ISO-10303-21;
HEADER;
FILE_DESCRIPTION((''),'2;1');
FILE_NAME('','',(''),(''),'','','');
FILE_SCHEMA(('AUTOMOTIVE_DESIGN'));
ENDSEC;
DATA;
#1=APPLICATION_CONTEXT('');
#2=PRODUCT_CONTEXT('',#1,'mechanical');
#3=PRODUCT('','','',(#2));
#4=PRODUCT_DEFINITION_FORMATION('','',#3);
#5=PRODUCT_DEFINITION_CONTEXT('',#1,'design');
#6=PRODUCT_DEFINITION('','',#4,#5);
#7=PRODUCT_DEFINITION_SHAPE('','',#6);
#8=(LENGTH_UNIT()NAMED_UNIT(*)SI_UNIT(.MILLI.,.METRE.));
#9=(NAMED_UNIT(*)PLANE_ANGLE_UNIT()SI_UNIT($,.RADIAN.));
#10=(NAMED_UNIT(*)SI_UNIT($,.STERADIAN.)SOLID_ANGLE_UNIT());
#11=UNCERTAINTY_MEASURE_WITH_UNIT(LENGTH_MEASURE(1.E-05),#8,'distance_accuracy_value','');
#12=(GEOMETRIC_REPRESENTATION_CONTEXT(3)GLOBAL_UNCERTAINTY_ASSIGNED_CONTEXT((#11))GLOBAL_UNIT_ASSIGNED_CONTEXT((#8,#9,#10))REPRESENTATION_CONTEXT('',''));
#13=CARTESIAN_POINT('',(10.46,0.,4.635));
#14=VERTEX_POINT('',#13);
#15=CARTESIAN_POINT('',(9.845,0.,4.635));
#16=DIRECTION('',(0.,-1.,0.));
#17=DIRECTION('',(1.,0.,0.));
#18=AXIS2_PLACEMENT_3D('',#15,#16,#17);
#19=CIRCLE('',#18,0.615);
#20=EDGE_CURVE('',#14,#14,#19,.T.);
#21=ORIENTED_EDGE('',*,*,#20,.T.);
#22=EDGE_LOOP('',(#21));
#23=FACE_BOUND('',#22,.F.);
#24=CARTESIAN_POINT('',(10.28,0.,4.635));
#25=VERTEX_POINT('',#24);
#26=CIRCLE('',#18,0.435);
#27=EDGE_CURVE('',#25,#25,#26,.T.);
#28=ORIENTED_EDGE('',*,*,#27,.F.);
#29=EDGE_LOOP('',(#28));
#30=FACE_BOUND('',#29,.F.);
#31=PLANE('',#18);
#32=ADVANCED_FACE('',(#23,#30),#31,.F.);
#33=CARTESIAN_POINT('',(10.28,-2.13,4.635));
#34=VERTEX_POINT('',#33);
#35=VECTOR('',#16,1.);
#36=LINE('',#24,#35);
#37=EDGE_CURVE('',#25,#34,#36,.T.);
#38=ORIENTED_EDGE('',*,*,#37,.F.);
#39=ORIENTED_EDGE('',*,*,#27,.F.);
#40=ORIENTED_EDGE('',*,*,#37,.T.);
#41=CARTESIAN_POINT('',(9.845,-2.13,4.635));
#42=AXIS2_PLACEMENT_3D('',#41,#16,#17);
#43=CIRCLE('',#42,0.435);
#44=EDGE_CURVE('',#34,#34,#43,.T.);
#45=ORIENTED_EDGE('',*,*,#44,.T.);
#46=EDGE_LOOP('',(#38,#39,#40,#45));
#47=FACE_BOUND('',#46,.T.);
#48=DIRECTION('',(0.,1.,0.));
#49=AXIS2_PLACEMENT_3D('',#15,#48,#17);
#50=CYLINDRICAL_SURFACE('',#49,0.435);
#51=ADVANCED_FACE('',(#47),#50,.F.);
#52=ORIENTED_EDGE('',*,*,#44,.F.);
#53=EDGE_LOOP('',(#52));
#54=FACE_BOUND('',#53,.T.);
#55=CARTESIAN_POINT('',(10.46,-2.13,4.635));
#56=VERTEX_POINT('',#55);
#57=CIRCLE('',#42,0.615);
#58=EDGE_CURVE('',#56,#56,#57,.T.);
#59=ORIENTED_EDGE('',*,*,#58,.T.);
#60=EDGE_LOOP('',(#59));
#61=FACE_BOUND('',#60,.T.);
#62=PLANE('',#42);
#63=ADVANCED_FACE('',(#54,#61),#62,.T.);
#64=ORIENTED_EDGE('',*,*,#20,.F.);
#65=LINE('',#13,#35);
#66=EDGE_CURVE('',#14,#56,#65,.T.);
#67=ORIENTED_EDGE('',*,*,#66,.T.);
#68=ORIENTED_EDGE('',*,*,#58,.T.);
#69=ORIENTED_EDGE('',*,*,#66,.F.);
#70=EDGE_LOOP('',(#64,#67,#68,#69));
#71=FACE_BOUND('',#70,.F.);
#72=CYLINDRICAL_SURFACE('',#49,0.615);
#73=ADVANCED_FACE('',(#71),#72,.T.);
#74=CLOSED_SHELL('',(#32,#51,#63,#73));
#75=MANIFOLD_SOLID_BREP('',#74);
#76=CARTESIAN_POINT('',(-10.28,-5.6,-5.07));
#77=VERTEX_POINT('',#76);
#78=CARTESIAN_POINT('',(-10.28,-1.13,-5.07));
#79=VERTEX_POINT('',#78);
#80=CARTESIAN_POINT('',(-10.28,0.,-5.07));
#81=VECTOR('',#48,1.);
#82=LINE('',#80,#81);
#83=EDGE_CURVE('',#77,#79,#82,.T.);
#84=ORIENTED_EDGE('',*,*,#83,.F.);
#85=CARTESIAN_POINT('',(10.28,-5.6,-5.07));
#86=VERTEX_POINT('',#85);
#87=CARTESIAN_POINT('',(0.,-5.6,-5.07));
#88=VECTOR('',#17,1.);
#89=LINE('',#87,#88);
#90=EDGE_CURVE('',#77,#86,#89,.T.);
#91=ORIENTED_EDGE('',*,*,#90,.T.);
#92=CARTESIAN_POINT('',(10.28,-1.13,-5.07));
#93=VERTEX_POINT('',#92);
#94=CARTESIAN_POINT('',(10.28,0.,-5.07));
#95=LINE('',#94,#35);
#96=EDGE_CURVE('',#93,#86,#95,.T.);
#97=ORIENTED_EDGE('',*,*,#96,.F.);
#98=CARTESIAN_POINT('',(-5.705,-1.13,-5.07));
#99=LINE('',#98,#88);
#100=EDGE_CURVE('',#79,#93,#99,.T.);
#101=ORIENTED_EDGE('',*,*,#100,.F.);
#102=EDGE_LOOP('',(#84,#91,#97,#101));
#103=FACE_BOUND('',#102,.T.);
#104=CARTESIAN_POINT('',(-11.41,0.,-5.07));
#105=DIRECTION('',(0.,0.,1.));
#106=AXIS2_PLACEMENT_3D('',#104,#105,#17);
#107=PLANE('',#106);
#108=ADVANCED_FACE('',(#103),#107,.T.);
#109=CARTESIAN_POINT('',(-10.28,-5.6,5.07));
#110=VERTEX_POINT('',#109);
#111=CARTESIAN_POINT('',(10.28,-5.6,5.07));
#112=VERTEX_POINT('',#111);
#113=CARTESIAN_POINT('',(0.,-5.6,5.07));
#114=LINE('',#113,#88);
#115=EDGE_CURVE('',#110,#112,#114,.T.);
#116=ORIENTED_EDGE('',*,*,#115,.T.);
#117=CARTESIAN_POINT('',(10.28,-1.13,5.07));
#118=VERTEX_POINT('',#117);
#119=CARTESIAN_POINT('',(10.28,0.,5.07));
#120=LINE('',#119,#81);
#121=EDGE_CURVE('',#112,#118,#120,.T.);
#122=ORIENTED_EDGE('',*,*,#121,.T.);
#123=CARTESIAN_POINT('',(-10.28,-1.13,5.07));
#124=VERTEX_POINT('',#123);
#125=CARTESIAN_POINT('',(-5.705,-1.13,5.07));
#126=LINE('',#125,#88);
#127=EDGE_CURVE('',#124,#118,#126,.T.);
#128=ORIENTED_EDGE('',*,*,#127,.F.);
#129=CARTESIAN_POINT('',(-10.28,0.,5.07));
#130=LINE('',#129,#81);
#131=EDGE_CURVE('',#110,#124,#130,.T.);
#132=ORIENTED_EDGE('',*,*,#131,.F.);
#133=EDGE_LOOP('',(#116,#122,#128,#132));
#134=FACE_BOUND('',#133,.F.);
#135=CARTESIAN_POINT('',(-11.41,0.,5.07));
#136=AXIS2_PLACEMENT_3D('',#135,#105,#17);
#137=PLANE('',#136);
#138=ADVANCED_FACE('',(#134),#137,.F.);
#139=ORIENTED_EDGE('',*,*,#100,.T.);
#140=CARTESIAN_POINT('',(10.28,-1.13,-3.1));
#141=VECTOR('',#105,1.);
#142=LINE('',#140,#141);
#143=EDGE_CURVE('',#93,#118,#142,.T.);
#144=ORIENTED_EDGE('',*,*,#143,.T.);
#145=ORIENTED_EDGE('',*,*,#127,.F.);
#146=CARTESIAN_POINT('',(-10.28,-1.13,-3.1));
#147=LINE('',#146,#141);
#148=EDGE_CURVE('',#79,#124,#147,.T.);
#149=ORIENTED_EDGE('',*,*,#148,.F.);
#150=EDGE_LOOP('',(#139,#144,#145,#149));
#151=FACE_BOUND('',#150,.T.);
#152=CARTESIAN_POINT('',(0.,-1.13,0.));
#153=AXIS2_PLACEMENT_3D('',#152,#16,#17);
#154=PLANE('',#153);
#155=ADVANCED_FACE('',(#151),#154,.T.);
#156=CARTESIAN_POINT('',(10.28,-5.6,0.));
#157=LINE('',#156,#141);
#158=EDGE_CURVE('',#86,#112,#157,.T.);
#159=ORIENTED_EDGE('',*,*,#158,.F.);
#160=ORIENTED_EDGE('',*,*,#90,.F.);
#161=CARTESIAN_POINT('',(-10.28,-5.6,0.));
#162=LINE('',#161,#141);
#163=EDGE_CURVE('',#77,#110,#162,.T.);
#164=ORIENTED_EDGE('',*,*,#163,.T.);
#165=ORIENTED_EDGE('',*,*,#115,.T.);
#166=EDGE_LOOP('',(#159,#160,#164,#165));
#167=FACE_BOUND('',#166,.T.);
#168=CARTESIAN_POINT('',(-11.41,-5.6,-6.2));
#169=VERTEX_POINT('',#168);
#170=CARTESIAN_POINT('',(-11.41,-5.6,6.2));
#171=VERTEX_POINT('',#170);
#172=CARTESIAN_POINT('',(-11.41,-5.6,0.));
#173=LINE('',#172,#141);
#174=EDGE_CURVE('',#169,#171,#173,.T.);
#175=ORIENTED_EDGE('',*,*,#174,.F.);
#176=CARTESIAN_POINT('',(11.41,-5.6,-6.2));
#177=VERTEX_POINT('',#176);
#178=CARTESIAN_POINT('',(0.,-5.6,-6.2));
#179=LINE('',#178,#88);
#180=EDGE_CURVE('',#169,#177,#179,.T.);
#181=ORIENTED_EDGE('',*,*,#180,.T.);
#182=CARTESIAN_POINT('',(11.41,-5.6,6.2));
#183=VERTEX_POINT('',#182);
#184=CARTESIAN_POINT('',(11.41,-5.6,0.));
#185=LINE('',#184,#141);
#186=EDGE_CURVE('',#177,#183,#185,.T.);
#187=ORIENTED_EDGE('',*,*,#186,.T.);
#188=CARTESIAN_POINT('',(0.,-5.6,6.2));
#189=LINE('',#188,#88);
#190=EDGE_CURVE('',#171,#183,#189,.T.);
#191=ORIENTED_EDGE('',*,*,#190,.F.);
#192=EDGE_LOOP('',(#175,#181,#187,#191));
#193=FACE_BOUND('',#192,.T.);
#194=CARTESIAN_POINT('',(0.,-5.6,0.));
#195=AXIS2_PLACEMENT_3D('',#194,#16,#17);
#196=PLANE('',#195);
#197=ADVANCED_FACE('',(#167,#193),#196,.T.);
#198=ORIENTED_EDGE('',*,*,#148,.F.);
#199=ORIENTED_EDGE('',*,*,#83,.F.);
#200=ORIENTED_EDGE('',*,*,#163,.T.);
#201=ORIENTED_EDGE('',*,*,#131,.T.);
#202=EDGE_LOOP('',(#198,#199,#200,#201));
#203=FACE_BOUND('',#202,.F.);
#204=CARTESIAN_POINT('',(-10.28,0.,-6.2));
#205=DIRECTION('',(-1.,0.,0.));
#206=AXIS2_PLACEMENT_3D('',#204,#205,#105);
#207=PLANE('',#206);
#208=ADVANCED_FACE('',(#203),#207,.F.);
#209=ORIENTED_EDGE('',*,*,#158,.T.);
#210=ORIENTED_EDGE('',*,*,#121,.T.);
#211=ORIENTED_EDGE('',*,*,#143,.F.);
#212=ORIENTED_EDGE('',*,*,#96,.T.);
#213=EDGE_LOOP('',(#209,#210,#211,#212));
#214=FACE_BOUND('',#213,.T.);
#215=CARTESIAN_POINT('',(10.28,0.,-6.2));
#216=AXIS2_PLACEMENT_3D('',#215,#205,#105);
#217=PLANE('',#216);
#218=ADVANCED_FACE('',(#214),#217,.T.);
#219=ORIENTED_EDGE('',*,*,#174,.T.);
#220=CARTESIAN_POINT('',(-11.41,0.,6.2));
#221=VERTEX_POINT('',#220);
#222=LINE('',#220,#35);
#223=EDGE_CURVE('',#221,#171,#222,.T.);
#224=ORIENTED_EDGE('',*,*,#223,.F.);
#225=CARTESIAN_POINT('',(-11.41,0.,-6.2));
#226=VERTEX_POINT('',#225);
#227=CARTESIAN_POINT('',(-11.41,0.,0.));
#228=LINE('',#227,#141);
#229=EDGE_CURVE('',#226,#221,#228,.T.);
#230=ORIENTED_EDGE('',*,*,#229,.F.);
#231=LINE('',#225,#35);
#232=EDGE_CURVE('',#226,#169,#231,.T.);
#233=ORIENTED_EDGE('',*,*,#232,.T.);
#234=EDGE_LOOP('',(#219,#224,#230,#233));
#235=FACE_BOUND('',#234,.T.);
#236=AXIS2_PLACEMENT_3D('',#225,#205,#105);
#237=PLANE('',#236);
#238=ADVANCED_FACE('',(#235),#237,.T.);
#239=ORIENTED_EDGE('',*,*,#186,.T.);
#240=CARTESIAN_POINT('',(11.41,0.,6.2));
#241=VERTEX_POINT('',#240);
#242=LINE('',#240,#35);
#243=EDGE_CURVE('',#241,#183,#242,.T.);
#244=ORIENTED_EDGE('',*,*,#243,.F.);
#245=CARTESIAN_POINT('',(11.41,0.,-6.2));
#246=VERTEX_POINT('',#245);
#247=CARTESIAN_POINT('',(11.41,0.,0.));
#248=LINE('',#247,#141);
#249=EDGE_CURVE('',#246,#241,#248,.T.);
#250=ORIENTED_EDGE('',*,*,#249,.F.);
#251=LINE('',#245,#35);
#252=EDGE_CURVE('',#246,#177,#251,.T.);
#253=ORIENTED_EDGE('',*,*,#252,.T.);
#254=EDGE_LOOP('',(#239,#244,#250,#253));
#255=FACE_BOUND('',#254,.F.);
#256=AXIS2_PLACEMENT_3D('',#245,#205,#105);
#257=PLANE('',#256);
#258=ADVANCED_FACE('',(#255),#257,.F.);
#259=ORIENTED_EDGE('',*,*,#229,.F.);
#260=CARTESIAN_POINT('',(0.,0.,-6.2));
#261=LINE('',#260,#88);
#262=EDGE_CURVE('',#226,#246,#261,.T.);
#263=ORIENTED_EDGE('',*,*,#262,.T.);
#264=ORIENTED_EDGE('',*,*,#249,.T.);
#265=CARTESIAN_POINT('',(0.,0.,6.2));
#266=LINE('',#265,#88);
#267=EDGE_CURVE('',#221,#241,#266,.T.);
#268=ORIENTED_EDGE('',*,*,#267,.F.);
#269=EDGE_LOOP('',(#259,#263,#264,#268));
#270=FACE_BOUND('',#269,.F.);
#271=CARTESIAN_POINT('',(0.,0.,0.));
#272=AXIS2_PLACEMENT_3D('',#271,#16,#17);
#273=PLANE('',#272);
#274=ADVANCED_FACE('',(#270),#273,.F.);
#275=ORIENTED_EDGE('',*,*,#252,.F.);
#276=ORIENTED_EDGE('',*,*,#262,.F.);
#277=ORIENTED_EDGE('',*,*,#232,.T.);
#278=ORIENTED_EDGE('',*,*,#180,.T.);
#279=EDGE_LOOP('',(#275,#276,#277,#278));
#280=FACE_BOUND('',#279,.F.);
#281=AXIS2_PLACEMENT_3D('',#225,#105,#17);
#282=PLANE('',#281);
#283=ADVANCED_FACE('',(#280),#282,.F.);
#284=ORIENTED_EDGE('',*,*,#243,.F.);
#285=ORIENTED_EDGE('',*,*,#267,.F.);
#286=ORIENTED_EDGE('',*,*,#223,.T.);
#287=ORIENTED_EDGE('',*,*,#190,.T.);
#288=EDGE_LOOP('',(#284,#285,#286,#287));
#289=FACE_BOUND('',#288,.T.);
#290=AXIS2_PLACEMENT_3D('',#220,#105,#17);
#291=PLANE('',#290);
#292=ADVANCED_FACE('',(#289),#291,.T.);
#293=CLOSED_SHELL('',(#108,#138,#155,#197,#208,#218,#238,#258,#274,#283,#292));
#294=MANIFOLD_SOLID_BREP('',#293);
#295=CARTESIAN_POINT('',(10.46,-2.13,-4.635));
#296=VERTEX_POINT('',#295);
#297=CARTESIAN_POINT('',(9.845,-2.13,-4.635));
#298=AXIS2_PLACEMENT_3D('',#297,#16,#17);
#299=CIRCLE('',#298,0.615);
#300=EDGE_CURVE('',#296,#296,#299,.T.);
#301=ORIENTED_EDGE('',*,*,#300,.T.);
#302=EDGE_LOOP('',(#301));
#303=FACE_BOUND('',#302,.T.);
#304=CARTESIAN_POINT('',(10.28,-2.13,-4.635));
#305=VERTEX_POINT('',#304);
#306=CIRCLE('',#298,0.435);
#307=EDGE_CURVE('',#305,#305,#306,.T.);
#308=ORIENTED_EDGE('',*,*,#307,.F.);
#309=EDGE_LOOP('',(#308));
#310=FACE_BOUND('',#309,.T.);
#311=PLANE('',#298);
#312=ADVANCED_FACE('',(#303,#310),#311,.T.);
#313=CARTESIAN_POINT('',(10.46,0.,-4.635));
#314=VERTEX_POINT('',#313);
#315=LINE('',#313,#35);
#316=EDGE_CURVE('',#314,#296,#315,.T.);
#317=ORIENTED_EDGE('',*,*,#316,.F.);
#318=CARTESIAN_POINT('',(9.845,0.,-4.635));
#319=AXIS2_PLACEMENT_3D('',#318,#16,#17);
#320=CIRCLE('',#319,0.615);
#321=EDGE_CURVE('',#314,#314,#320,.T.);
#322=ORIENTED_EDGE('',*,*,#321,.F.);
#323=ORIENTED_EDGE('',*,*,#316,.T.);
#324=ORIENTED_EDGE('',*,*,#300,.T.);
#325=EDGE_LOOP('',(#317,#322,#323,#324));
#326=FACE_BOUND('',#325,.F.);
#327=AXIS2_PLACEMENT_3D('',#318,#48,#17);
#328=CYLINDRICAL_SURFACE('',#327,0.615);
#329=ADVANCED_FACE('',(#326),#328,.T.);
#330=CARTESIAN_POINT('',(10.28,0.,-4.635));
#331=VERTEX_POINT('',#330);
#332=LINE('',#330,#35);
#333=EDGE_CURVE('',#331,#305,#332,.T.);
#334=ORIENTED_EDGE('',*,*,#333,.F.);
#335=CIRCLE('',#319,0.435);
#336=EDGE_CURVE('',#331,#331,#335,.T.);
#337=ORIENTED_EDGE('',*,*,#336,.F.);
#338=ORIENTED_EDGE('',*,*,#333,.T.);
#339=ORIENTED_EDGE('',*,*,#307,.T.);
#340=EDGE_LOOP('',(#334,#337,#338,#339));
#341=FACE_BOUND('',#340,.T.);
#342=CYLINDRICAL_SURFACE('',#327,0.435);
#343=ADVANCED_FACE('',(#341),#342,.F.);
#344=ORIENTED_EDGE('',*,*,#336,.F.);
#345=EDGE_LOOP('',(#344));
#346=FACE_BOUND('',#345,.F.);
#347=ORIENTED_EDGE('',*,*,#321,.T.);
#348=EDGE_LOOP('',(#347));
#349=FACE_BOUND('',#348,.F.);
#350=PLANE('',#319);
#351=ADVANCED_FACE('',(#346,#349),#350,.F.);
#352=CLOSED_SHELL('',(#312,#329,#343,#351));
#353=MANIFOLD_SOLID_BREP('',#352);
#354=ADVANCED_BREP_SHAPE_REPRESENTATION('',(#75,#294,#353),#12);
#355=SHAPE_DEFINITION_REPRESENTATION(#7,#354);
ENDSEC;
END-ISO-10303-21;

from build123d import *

# Parameters (mm, degrees)
F0_W     = 22.82
F0_H     = 12.4
F1_DEPTH = 5.6
F2_T     = -1.13
F3_R     = 0.615
F3_R_2   = 0.435
F5_DEPTH = 2.13
F4_R     = 0.615
F4_R_2   = 0.435
F6_DEPTH = 2.13


with BuildPart() as f1:
    # F0 (on Front) → F1 (new body)
    with BuildSketch(Plane.XZ):
        Rectangle(F0_W, F0_H)
    extrude(amount=F1_DEPTH)

    # F2
    f2_openings = [f1.faces().sort_by_distance(p)[0] for p in [
        (0, -5.6, 0),
    ]]
    offset(amount=F2_T, openings=f2_openings)


with BuildPart() as f5:
    # F3 (on Front) → F5 (new body)
    with BuildSketch(Plane.XZ):
        with Locations((9.845, 4.635)):
            Circle(F3_R)
        with Locations((9.845, 4.635)):
            Circle(F3_R_2, mode=Mode.SUBTRACT)
    extrude(amount=F5_DEPTH)


with BuildPart() as f6:
    # F4 (on Front) → F6 (new body)
    with BuildSketch(Plane.XZ):
        with Locations((9.845, -4.635)):
            Circle(F4_R)
        with Locations((9.845, -4.635)):
            Circle(F4_R_2, mode=Mode.SUBTRACT)
    extrude(amount=F6_DEPTH)


solid = Compound([f1.part, f5.part, f6.part])
